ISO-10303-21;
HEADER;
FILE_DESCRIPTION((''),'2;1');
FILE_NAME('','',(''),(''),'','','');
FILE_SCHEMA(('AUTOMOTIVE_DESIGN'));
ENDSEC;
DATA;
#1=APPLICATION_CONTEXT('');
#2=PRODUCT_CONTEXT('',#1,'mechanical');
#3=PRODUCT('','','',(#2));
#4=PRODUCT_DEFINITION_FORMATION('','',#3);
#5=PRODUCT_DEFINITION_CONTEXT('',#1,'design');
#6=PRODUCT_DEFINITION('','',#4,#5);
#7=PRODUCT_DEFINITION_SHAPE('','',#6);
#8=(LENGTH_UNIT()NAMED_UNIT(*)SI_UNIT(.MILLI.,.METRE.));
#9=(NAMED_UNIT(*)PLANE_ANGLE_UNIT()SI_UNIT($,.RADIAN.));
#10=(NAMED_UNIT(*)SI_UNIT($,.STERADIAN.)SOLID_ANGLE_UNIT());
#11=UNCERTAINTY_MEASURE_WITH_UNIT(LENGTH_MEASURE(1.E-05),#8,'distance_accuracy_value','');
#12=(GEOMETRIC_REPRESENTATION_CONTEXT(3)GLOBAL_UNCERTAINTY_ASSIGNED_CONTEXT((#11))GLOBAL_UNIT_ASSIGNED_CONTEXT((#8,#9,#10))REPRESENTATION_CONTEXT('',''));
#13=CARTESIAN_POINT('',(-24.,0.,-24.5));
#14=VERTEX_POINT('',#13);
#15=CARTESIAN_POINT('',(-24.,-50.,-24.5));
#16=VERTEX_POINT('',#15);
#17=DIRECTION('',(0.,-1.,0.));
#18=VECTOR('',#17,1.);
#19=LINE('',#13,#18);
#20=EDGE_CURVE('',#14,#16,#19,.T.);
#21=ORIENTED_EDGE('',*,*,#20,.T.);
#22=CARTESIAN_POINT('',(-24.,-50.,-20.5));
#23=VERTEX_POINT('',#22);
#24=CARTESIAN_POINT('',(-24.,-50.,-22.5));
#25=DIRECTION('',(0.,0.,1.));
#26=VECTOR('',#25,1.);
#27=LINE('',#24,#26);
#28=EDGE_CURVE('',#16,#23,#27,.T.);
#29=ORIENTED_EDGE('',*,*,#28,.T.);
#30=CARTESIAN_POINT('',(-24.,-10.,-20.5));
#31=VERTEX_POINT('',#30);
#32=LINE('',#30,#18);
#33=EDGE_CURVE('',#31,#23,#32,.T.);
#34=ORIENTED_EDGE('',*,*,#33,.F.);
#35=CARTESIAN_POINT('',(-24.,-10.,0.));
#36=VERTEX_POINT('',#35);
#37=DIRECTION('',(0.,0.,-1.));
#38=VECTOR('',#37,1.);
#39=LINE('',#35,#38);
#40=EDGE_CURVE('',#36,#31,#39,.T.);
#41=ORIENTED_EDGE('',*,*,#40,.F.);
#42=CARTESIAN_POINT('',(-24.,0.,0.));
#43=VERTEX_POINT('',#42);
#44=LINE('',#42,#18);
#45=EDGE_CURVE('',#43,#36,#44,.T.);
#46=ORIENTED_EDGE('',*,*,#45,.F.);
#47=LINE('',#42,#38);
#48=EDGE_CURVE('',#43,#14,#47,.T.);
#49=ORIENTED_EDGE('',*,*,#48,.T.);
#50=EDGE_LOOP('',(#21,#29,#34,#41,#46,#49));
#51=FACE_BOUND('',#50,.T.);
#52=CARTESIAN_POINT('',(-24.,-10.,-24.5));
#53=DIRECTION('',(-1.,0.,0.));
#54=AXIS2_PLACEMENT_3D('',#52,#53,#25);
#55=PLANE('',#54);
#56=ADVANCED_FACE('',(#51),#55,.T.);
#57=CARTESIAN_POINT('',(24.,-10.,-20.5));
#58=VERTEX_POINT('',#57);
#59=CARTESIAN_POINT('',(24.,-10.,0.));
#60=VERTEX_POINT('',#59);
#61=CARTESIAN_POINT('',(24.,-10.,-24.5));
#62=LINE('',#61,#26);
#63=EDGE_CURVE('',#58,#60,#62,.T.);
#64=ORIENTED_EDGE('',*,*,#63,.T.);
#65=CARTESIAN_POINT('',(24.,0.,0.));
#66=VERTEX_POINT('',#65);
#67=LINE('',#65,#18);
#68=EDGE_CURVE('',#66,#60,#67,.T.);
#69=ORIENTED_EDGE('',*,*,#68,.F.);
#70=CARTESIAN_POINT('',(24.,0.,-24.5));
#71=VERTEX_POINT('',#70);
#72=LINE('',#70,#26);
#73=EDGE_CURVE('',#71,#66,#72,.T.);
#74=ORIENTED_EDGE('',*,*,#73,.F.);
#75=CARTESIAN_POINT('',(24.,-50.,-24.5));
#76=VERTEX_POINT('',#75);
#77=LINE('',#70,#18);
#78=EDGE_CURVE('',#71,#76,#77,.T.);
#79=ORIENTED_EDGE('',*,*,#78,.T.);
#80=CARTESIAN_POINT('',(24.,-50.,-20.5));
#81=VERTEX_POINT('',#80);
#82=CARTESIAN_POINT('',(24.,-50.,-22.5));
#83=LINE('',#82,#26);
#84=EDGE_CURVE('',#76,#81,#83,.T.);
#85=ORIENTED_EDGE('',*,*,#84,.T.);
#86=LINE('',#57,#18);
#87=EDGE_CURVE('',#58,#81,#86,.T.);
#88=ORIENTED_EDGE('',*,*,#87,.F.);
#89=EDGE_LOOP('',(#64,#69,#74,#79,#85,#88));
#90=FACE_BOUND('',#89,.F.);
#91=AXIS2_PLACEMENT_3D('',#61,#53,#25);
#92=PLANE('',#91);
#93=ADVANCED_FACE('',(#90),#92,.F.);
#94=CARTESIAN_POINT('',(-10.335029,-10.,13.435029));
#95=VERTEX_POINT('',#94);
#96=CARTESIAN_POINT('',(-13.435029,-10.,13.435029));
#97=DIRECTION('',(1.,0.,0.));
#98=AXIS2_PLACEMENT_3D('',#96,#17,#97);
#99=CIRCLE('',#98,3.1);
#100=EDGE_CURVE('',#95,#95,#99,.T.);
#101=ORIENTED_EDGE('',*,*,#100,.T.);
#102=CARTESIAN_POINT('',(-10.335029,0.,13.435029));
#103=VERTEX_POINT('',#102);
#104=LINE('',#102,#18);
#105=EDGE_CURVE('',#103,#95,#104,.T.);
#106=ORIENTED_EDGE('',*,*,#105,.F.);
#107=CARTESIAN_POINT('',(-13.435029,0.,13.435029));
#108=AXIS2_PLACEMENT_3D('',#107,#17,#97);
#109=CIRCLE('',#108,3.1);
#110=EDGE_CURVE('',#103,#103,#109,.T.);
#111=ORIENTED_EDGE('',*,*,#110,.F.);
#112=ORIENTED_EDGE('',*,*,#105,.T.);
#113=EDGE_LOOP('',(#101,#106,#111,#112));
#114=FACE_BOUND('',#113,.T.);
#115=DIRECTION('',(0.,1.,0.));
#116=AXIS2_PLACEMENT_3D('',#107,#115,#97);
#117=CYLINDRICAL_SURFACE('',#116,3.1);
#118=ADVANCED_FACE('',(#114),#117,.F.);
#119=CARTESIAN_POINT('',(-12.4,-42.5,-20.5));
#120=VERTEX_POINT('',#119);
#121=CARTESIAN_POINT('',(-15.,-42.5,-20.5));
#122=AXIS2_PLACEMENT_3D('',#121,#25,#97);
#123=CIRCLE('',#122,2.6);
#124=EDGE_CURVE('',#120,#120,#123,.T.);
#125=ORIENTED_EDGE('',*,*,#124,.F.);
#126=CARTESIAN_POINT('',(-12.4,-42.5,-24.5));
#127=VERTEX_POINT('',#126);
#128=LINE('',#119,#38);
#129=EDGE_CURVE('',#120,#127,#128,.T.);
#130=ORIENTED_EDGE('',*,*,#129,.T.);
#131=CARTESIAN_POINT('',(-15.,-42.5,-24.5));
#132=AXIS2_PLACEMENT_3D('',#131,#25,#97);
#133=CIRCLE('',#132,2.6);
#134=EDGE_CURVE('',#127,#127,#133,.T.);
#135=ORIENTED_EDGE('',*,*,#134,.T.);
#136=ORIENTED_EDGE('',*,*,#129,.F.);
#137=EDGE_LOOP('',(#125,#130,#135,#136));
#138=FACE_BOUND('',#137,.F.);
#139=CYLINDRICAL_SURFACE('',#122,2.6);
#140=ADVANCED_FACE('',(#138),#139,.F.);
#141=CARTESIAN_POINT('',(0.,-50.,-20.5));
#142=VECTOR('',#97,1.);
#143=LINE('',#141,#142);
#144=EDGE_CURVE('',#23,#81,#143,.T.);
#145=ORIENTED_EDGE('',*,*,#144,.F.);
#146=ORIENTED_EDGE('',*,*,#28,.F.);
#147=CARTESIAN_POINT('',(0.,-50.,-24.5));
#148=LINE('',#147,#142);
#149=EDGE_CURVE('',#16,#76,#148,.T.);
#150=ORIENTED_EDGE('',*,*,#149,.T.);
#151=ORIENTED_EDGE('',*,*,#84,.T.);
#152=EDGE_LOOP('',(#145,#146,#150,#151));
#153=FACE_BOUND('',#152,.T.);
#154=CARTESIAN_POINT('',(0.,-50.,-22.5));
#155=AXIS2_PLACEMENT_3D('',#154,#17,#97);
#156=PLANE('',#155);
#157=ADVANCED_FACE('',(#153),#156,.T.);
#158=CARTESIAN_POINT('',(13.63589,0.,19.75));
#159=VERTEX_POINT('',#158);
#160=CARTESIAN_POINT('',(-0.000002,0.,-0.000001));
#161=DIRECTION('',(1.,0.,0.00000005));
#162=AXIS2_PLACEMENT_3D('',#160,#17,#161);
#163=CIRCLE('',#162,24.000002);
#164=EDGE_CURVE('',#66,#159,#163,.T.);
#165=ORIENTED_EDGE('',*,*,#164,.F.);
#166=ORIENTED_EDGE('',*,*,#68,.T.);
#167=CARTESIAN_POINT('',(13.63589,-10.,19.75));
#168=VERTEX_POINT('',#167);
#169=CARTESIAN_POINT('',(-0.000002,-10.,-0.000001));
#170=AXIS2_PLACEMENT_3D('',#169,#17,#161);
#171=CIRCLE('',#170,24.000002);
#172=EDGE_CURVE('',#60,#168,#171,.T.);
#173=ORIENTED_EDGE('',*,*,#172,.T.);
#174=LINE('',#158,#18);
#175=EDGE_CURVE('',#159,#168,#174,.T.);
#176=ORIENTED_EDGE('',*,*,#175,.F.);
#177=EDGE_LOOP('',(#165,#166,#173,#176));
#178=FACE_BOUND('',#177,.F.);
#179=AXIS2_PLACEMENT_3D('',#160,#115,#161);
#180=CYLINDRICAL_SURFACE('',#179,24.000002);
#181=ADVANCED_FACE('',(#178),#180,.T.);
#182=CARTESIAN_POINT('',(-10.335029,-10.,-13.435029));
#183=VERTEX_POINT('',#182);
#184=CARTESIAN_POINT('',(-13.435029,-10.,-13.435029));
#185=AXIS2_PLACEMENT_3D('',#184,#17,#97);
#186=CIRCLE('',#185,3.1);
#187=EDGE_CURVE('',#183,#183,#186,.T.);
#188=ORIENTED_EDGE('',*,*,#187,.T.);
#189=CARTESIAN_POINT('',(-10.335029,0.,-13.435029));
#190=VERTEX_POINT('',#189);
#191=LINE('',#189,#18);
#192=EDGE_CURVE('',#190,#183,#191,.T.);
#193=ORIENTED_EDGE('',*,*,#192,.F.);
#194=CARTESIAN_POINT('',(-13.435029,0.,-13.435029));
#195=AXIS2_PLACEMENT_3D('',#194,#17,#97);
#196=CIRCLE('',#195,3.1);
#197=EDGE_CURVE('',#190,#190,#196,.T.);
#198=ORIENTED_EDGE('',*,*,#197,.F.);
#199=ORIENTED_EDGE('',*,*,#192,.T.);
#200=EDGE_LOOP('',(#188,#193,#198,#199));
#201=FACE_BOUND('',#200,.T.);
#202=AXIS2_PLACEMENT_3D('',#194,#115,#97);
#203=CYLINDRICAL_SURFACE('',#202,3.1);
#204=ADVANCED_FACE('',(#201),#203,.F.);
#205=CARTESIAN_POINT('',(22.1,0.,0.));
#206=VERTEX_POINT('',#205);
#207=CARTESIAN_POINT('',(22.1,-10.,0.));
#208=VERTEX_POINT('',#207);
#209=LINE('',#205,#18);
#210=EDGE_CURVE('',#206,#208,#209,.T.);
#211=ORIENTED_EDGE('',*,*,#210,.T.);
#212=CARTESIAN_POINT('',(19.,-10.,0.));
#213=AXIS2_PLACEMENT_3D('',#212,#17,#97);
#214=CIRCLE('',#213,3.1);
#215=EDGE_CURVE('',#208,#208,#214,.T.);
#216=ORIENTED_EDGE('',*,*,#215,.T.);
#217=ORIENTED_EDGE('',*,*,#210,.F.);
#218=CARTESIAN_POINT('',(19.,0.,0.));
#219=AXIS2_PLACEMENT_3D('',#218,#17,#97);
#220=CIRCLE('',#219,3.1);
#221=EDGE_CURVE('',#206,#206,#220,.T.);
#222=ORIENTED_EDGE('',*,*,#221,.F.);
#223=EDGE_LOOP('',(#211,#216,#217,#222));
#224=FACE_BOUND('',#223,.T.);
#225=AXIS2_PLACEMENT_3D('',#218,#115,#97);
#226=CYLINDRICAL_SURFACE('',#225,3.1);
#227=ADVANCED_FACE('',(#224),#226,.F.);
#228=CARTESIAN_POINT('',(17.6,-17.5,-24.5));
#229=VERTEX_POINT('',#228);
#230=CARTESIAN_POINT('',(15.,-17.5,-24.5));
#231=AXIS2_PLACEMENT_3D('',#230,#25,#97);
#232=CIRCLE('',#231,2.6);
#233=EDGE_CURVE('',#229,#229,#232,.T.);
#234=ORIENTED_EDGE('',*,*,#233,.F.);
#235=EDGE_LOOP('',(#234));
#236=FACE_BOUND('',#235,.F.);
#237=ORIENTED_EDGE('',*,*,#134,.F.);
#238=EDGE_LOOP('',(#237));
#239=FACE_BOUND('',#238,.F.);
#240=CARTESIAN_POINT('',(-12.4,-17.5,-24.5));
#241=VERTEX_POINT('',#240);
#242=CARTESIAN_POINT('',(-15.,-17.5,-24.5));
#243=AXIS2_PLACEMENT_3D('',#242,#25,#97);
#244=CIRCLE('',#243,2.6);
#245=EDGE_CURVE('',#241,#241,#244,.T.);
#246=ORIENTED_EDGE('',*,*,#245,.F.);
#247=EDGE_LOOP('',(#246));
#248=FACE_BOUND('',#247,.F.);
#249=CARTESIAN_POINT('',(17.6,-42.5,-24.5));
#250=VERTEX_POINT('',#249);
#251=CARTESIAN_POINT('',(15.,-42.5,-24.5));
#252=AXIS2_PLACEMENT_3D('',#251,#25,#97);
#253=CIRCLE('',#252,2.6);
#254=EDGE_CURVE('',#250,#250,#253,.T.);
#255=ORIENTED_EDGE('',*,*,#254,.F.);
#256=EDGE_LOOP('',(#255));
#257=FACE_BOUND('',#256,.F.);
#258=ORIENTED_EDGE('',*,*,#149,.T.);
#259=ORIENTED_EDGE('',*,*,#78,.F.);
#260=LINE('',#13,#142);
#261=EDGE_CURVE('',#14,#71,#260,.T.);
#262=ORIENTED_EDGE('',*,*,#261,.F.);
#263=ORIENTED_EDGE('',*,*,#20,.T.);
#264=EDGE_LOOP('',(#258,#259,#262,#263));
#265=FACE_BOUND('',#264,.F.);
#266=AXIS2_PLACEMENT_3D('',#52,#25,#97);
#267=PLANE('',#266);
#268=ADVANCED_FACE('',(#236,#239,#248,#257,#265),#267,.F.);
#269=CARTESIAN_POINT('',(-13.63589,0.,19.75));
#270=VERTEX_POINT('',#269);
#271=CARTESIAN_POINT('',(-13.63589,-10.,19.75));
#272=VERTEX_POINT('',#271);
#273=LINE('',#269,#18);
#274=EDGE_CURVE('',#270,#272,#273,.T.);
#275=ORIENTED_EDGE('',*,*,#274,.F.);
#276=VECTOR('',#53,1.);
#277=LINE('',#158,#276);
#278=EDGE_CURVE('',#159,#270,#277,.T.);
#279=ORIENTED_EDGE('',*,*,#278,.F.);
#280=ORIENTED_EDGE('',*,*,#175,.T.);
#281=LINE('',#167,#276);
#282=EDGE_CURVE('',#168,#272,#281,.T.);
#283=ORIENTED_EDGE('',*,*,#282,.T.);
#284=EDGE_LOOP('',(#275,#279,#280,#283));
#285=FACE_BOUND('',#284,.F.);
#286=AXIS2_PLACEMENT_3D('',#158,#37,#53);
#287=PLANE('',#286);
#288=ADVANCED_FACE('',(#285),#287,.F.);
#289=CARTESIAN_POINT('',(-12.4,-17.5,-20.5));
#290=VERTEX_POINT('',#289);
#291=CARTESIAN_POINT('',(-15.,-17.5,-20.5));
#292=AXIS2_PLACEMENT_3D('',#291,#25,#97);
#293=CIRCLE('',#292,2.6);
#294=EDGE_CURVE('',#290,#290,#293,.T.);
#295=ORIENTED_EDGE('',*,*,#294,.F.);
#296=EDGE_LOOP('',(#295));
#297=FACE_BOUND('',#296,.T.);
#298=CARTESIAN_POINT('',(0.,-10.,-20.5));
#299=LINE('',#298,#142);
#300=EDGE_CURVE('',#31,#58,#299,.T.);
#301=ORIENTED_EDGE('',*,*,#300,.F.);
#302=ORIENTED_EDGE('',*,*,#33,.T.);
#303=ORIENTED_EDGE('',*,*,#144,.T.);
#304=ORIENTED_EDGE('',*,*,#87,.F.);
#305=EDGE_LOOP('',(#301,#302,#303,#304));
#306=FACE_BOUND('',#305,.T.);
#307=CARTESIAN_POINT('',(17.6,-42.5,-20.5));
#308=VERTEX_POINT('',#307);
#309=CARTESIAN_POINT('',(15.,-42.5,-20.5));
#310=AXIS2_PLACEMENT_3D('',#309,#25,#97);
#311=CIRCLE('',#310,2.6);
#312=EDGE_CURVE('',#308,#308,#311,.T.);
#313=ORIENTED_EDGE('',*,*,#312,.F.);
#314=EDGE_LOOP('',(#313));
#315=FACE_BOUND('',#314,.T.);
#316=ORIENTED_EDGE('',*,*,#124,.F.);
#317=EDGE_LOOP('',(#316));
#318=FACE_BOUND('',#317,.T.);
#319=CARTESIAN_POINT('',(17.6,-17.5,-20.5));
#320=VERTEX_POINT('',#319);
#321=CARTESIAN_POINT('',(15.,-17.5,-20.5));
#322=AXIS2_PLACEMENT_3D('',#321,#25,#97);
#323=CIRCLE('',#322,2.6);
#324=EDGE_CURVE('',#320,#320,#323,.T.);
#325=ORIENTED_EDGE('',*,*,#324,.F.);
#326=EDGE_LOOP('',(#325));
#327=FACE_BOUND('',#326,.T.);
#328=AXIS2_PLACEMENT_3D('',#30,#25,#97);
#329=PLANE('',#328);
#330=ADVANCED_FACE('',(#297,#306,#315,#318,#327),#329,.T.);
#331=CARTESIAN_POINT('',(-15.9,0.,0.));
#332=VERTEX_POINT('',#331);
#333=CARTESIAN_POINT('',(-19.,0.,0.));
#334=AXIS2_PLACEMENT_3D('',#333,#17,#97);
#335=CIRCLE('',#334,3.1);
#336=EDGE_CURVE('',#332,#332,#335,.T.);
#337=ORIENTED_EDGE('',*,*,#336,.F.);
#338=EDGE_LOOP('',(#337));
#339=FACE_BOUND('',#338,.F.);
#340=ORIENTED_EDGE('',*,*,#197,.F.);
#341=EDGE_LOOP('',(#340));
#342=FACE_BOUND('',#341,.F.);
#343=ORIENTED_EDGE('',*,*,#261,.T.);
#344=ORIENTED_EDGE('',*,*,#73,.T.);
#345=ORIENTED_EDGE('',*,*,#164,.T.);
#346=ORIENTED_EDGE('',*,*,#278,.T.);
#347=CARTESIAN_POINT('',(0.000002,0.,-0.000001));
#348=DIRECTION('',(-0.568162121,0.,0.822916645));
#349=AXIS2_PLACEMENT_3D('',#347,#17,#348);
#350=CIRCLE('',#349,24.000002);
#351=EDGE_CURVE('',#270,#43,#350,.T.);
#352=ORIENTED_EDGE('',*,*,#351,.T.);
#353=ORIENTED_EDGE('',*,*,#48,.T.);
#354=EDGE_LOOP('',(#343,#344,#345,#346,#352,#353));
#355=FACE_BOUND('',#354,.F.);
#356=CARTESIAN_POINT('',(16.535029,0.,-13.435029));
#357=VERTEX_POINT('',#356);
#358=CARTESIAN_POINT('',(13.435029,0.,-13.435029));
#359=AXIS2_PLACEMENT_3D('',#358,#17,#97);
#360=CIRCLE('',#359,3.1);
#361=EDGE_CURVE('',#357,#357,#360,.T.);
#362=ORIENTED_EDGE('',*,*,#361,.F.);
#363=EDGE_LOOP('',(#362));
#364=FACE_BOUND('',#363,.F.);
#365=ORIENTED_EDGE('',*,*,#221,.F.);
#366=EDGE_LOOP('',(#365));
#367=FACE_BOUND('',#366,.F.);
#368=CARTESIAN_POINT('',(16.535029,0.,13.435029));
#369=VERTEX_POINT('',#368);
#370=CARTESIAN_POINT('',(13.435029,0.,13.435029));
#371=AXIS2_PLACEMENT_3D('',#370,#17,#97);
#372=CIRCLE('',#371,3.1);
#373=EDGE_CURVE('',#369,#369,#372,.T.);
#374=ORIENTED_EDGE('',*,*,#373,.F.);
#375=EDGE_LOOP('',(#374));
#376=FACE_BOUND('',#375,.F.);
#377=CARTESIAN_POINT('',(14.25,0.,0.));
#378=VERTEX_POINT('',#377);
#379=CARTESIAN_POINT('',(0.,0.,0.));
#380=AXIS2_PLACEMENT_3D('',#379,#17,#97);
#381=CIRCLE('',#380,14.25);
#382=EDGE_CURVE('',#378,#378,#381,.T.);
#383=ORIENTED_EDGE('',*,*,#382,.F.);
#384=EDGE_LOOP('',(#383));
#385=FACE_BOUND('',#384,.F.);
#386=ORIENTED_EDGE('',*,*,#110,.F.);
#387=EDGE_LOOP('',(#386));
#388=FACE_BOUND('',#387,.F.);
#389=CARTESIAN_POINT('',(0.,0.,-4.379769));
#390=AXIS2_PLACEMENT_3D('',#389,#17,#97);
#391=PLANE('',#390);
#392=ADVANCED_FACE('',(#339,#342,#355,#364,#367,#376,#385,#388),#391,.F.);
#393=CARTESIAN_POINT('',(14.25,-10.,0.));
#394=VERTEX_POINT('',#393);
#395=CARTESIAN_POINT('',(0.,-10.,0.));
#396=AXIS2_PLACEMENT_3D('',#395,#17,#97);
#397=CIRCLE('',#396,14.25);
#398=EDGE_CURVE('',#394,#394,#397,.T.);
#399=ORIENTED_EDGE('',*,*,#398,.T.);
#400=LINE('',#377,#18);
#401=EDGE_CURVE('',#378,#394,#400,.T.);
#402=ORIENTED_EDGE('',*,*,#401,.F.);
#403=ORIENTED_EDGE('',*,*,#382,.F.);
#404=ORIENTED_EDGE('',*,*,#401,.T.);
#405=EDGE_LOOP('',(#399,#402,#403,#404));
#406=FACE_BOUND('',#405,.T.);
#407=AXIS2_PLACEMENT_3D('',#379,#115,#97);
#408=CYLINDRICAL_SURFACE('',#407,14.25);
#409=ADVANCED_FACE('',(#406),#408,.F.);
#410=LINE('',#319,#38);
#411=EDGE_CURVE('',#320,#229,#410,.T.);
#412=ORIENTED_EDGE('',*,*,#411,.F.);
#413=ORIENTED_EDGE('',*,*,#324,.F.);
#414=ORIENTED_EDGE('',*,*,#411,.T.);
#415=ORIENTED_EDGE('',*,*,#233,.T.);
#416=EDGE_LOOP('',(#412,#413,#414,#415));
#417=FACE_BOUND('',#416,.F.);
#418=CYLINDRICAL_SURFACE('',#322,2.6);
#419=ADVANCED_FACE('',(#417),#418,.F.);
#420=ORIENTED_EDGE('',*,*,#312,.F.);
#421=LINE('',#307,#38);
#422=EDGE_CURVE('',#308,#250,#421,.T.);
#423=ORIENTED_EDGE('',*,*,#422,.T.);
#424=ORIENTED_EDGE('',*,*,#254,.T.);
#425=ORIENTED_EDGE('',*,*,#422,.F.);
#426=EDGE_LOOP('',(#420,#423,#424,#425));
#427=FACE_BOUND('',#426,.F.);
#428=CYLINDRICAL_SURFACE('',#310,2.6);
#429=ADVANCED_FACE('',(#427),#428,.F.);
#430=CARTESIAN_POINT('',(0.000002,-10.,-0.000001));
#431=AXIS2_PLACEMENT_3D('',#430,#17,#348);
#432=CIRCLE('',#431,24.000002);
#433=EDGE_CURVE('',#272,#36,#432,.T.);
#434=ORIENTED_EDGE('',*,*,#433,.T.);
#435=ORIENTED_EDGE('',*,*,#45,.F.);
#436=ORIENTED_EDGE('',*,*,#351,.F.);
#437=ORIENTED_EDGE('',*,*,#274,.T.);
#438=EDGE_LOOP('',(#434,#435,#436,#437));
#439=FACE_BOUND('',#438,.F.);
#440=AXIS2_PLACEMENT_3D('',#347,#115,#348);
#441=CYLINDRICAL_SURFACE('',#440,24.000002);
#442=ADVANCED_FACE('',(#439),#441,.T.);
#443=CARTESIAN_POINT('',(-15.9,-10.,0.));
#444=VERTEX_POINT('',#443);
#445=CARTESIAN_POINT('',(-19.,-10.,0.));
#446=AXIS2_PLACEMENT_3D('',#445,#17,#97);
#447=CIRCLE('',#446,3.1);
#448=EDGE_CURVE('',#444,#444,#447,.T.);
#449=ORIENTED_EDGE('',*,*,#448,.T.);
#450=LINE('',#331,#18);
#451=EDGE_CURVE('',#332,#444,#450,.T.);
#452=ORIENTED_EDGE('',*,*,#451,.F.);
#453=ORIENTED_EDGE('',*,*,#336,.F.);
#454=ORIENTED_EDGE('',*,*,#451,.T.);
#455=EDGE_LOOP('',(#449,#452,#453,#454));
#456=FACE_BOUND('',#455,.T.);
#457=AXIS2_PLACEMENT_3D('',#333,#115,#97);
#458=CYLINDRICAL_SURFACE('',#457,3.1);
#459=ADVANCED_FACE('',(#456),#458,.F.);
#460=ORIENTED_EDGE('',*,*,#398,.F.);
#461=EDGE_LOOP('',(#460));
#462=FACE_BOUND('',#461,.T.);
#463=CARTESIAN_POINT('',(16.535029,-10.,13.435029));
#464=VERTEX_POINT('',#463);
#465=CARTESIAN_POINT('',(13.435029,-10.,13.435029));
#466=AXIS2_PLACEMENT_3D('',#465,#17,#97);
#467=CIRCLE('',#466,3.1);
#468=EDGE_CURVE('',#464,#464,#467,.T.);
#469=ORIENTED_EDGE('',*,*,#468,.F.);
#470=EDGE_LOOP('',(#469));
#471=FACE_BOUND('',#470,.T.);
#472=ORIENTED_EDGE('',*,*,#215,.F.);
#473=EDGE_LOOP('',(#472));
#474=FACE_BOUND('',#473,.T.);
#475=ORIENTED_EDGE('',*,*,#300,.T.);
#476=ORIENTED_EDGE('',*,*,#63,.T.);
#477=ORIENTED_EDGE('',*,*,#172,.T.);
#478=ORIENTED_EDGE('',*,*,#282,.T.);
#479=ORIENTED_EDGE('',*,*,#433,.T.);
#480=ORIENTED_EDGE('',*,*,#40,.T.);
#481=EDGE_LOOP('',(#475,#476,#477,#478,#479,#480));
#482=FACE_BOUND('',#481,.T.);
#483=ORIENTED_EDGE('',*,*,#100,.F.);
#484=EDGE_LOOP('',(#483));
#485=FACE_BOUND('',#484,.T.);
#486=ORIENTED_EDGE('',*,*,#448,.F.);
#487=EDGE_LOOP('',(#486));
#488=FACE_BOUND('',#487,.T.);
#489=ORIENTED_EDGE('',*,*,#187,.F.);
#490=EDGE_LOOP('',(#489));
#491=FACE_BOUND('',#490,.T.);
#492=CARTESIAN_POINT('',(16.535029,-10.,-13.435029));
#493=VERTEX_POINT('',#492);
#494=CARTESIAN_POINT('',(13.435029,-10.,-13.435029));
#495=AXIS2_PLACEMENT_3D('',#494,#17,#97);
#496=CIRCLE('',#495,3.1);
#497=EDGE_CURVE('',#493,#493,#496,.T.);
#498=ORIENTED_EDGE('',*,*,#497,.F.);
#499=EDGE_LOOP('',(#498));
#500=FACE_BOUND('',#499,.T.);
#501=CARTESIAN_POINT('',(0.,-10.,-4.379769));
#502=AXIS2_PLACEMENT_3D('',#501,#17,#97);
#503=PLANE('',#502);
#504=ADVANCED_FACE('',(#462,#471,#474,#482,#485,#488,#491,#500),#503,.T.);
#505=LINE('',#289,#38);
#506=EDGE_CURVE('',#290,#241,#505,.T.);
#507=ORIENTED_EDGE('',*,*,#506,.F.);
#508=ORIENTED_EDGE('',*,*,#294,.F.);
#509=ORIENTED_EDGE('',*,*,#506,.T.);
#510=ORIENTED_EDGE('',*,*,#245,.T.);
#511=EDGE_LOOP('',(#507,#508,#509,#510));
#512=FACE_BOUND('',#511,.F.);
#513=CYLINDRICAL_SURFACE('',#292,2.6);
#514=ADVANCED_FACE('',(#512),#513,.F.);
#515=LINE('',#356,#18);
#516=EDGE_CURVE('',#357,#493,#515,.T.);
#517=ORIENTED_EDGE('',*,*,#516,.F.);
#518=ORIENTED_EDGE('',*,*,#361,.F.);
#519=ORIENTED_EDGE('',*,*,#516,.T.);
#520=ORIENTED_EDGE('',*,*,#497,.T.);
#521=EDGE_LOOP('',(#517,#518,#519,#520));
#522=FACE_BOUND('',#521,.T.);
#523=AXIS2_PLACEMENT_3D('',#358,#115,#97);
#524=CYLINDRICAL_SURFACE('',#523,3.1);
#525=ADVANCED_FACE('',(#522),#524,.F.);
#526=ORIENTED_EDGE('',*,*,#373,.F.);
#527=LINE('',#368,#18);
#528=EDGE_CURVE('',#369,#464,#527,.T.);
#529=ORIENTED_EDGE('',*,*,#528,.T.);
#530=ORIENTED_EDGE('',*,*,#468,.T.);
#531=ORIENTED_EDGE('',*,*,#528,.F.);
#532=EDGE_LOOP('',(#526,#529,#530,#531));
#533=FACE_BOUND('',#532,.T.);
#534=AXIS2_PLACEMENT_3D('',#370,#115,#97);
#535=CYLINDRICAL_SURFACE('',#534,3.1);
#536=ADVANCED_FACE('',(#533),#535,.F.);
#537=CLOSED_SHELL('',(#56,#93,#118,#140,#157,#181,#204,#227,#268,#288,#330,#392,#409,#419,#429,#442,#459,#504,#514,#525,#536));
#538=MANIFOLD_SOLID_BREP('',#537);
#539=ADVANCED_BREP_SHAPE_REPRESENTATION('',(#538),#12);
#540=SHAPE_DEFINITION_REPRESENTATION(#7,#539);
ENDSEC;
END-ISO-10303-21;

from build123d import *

# Parameters (mm, degrees)
F0_R     = 3.1
F0_R_2   = 14.25
F1_DEPTH = 10
F2_W     = 48
F2_H     = 4
F3_DEPTH = 40
F4_R     = 2.6
F5_DEPTH = 4


with BuildPart() as f1:
    # F0 (on Front) → F1 (new body)
    with BuildSketch(Plane.XZ):
        with BuildLine():
            Line((13.63589, 19.75), (-13.63589, 19.75))
            ThreePointArc((-13.63589, 19.75), (-21.251604, 11.152099), (-24, 0))
            Line((-24, 0), (-24, -24.5))
            Line((-24, -24.5), (24, -24.5))
            Line((24, -24.5), (24, 0))
            ThreePointArc((24, 0), (21.251604, 11.152099), (13.63589, 19.75))
        make_face()
        with Locations((-13.435029, -13.435029)):
            Circle(F0_R, mode=Mode.SUBTRACT)
        with Locations((13.435029, -13.435029)):
            Circle(F0_R, mode=Mode.SUBTRACT)
        with Locations((-19, 0)):
            Circle(F0_R, mode=Mode.SUBTRACT)
        with Locations((-13.435029, 13.435029)):
            Circle(F0_R, mode=Mode.SUBTRACT)
        Circle(F0_R_2, mode=Mode.SUBTRACT)
        with Locations((19, 0)):
            Circle(F0_R, mode=Mode.SUBTRACT)
        with Locations((13.435029, 13.435029)):
            Circle(F0_R, mode=Mode.SUBTRACT)
    extrude(amount=F1_DEPTH)

    # F2 (on face) → F3 (join)
    with BuildSketch(Plane.XZ.offset(10)):
        with Locations((0, -22.5)):
            Rectangle(F2_W, F2_H)
    extrude(amount=F3_DEPTH)

    # F4 (on face) → F5 (cut, through all)
    with BuildSketch(Plane.XY.offset(-20.5)):
        with Locations((-15, -17.5)):
            Circle(F4_R)
        with Locations((-15, -42.5)):
            Circle(F4_R)
        with Locations((15, -42.5)):
            Circle(F4_R)
        with Locations((15, -17.5)):
            Circle(F4_R)
    extrude(amount=-F5_DEPTH, mode=Mode.SUBTRACT)


solid = f1.part
